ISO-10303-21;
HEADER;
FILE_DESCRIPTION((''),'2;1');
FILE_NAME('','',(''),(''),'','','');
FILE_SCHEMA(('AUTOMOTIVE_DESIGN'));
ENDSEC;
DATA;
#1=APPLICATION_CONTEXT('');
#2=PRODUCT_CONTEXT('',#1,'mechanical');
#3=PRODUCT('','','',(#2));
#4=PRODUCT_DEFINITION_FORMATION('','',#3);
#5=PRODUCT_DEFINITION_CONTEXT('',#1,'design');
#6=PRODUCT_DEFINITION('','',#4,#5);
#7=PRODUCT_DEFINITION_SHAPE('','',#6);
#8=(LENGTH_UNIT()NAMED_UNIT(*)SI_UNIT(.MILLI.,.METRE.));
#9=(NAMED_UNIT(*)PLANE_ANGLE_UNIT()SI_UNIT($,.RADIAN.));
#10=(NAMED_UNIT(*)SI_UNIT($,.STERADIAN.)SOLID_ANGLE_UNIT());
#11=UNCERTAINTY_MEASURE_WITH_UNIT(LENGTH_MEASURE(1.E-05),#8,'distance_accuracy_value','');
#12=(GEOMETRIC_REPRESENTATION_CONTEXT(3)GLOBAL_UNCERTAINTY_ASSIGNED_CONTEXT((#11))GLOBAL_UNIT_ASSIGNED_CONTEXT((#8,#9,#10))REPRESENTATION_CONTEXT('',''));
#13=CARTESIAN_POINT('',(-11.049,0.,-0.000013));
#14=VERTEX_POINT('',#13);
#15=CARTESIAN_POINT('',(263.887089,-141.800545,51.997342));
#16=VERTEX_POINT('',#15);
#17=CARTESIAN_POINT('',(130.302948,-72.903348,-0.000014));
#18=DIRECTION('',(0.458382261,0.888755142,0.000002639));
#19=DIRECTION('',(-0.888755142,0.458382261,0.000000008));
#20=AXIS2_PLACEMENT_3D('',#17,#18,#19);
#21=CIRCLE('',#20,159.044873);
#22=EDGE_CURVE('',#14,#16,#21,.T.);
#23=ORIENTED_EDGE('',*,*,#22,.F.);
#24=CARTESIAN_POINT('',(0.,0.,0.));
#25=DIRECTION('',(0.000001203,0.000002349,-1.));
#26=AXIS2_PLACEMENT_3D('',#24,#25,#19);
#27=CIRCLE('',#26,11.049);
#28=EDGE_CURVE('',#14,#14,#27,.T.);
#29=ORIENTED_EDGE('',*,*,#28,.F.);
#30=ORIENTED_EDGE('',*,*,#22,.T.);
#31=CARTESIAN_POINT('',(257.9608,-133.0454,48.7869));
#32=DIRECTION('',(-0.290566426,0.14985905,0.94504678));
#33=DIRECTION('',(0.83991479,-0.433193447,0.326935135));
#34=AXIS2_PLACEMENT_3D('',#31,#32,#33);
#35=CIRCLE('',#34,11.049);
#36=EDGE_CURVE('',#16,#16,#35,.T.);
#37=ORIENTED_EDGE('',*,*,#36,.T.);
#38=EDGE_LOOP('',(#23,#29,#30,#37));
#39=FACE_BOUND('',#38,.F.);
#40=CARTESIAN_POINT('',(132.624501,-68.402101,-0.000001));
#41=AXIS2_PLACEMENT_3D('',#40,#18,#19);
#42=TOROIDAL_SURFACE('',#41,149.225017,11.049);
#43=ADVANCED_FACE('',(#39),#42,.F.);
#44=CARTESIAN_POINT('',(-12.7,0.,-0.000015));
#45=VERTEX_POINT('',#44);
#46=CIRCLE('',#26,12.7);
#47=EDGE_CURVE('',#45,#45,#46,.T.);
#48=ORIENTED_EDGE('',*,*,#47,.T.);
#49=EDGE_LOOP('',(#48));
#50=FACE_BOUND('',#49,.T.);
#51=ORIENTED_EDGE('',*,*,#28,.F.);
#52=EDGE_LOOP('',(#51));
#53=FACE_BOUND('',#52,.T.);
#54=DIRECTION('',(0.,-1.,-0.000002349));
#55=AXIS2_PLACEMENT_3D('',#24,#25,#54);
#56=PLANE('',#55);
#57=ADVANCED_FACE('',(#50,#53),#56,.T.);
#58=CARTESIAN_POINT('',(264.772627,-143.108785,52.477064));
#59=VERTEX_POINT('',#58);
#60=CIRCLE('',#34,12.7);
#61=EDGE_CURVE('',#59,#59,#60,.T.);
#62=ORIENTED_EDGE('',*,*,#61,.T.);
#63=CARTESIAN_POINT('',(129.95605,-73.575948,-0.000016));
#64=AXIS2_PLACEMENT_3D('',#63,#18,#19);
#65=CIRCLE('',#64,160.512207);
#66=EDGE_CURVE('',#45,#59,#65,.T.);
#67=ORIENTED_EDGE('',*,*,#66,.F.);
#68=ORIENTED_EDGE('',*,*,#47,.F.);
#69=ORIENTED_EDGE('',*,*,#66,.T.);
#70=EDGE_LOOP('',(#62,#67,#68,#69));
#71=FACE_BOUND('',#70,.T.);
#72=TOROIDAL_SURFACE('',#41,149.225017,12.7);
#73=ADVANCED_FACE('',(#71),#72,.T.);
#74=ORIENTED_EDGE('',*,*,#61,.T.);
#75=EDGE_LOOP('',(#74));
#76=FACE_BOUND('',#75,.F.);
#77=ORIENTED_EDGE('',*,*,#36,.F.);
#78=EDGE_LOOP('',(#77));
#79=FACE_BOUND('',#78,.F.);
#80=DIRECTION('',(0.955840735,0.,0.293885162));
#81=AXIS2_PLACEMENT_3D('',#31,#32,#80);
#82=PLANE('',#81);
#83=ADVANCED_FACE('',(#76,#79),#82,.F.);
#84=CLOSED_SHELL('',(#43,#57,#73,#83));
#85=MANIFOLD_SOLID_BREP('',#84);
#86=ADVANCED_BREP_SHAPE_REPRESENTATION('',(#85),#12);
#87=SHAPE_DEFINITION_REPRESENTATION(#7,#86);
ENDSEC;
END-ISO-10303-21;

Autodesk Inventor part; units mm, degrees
sketch "Sketch" plane through (0, 0, 0) normal (0, 0, -1) x (-1, 0, 0)
  circle A0 centre (0, 0) radius 12.7
  circle A1 centre (0, 0) radius 11.049
  dimension "d0" = 25.4
  dimension "d1" = 1.651
ref_plane "Start Plane" through (0, 0, 0) normal (1, 0, 0) x (0, 1, 0)
ref_plane "End Plane" through (419.1034, 0, 0) normal (1, 0, 0) x (0, 1, 0)
sketch "Sketch2" plane through (0, 0, 0) normal (1, 0, 0) x (0, 1, 0)
  line L0 (0, 0) -> (10, 0)
ref_plane "Work Plane3" through (0, 0, 0) normal (0, 0, -1) x (0, 1, 0)
sketch "Sketch3" plane through (0, 0, 0) normal (0, 0, -1) x (0, 1, 0)
  line L0 (-2, 0) -> (12, 0)
  line L1 (-177.2623, 419.1034) -> (44.3604, 419.1034)
  dimension "d9" = 419.1034
ref_plane "Orientation Work Plane" through (0, 0, 0) normal (0, 0, -1) x (-1, 0, 0)
sketch3d "Sweep Path"
  arc A0 (0, 0, 0) -> (257.9608, -133.0454, 48.7869) centre (132.6245, -68.4021, 0) ccw
sweep "Body" add profiles "Sketch" path "Sweep Path"
equation "\"G_OFFSET_START\" = 0"
equation "\"G_OFFSET_END\" = 0"
equation "\"d5\" = d2 + G_OFFSET_END"
equation "\"G_L\" = d9"
equation "\"d2\" = 419.103436"
properties part number "4130_1x0.065" material "Steel, Alloy"
